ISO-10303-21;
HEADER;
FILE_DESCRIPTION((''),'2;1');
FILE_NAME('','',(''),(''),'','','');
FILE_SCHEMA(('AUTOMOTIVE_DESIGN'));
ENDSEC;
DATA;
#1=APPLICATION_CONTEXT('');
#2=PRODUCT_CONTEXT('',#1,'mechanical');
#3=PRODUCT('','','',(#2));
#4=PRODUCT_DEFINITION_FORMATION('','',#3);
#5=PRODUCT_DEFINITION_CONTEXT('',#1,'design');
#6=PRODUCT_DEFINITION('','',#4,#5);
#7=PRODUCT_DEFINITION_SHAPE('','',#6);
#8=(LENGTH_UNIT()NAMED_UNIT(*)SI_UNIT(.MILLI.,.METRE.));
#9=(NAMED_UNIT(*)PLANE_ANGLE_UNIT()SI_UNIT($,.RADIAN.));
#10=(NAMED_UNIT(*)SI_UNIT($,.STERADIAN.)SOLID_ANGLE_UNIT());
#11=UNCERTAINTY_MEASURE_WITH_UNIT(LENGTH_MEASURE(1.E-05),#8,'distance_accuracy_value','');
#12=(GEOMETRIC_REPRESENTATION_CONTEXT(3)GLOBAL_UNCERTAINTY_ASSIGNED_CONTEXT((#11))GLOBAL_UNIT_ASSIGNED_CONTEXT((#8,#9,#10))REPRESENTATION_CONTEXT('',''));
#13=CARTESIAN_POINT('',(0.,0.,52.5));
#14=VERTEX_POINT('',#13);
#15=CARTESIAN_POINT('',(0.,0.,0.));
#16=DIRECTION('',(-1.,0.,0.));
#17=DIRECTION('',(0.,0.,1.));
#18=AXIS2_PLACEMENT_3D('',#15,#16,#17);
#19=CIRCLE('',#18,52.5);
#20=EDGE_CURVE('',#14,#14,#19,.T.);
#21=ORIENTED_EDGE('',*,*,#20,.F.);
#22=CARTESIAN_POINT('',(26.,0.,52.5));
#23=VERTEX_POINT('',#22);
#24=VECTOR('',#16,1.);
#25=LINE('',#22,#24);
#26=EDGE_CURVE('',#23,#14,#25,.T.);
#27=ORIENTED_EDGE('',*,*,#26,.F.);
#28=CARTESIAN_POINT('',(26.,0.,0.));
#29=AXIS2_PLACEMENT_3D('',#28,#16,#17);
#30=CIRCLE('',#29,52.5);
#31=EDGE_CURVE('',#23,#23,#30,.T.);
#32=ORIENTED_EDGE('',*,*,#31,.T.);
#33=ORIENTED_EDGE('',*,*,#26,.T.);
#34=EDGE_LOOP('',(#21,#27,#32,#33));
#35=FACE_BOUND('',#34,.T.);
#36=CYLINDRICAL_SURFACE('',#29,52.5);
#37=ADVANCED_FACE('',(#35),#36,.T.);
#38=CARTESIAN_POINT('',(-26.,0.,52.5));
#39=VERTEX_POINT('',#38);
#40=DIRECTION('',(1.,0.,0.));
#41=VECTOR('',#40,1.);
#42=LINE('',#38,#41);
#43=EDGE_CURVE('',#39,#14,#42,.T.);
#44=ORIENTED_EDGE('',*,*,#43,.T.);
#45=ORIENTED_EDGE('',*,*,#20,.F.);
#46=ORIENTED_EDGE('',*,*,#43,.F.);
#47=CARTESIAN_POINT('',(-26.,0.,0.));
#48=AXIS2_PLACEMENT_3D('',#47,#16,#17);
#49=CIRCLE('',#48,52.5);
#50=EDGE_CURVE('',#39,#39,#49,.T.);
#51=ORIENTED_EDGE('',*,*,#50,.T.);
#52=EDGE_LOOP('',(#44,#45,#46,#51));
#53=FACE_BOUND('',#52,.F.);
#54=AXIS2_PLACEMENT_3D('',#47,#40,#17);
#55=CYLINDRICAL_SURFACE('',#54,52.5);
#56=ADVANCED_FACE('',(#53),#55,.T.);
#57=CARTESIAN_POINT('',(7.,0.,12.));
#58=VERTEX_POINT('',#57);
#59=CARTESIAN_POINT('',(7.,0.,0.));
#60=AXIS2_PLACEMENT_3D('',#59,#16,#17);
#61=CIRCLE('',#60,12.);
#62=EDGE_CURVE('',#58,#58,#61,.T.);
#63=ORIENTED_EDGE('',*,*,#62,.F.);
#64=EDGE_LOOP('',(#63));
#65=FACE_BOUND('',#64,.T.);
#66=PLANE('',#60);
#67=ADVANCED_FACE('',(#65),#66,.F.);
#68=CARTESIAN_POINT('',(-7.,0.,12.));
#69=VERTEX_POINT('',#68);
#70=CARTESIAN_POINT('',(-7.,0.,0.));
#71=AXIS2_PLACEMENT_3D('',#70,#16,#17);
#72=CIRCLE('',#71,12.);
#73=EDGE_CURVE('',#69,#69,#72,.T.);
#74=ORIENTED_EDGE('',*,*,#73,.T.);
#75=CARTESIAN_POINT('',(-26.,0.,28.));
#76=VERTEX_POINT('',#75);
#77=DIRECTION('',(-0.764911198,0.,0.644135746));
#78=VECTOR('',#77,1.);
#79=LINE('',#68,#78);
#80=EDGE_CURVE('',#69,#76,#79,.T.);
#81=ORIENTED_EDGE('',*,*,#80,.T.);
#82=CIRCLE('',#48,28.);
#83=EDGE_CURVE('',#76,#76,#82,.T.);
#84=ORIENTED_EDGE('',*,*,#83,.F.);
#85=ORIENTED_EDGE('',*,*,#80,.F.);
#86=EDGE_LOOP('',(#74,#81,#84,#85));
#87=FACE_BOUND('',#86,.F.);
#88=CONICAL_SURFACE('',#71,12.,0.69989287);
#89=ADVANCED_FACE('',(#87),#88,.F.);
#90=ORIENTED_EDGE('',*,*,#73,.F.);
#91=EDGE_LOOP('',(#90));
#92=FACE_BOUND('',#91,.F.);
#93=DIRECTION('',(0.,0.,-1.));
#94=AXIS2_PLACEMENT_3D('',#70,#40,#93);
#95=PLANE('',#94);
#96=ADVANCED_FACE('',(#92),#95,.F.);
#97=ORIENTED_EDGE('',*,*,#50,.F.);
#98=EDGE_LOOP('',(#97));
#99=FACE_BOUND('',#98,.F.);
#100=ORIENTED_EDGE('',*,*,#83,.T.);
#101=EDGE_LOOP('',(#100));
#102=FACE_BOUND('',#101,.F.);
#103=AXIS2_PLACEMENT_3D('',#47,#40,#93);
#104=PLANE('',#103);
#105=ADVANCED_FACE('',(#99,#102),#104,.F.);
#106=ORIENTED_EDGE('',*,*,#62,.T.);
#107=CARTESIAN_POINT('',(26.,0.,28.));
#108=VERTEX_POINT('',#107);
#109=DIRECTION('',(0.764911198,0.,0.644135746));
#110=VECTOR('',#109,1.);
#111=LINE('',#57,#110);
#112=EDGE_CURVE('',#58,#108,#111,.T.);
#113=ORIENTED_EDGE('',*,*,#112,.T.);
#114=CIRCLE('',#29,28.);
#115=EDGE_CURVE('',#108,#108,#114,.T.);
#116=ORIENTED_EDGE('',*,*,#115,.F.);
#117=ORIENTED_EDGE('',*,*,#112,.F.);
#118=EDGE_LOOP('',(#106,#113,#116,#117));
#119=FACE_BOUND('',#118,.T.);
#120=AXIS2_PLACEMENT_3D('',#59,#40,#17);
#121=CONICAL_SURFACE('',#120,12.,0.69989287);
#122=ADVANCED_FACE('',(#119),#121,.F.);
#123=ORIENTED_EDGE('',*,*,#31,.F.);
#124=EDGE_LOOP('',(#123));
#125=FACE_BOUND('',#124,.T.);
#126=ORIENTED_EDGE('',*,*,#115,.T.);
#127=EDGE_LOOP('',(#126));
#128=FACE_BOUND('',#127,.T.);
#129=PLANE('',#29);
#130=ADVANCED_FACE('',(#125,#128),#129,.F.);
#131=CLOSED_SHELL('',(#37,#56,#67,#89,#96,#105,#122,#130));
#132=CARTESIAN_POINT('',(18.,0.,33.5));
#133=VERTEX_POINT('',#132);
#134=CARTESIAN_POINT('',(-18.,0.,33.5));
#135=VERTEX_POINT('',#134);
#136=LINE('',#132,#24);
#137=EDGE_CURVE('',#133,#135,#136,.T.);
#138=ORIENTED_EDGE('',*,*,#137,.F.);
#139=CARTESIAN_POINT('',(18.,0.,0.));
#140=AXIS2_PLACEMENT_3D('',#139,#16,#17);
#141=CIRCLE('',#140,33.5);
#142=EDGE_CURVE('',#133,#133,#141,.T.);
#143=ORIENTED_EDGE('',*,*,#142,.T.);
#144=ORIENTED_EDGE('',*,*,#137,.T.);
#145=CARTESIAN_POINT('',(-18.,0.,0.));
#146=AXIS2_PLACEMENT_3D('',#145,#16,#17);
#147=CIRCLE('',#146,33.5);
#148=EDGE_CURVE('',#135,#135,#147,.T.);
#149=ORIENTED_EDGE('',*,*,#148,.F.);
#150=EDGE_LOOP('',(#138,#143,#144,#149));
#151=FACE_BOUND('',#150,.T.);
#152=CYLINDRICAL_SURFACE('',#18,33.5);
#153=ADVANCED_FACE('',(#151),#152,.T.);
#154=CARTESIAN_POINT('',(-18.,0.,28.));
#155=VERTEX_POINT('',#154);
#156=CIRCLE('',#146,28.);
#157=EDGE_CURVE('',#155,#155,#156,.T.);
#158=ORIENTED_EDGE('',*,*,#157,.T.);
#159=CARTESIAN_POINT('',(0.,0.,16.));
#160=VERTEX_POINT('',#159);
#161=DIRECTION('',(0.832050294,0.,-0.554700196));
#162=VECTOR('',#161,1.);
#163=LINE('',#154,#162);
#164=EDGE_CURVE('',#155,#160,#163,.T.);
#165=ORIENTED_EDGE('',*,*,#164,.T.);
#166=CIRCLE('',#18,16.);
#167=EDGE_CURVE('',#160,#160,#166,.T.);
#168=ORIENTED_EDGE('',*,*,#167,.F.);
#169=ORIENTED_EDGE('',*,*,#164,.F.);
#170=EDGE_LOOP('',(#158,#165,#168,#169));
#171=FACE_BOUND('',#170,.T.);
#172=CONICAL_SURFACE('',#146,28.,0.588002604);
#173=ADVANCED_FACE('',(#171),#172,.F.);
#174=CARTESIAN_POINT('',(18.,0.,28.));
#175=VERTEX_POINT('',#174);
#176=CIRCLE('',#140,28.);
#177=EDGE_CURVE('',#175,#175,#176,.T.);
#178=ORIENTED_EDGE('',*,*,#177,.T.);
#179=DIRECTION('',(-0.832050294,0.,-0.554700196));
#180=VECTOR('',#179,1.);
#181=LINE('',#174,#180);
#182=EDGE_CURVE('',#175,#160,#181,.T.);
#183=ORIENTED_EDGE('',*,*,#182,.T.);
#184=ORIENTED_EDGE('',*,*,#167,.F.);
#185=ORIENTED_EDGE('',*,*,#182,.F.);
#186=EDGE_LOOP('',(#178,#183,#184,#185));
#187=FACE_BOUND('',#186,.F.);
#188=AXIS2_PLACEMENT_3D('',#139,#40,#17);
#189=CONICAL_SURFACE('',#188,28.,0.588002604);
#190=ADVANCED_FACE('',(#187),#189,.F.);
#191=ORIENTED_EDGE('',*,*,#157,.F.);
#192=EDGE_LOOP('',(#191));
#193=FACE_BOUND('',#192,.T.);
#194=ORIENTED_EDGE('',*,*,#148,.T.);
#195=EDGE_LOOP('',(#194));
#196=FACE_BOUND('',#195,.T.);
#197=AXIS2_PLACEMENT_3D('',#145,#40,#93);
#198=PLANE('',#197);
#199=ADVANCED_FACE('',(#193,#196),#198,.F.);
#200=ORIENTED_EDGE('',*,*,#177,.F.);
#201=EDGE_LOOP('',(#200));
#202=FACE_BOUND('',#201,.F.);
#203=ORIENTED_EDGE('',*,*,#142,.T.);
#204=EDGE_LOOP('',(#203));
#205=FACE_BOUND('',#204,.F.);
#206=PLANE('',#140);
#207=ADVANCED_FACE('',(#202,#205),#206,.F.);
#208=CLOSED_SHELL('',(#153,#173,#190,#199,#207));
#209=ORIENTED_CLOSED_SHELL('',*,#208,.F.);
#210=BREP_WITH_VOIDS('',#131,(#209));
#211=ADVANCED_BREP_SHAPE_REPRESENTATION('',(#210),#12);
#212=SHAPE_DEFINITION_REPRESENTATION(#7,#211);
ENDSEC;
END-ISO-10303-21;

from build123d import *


with BuildPart() as f1:
    # F0 (on Front) → F1 (revolve)
    with BuildSketch(Plane.XZ):
        Polygon((26, 52.5), (0, 52.5), (0, 33.5), (18, 33.5), (18, 28), (0, 16), (0, 0), (7, 0), (7, 12), (26, 28), (26, 33.5), align=None)
    revolve(axis=Axis((3.5, 0, 0), (-1, 0, 0)))

    # F2: F1 across plane


with BuildPart() as f1_1:
    add(f1.part)
    add(f1.part.mirror(Plane.YZ))


solid = f1_1.part
